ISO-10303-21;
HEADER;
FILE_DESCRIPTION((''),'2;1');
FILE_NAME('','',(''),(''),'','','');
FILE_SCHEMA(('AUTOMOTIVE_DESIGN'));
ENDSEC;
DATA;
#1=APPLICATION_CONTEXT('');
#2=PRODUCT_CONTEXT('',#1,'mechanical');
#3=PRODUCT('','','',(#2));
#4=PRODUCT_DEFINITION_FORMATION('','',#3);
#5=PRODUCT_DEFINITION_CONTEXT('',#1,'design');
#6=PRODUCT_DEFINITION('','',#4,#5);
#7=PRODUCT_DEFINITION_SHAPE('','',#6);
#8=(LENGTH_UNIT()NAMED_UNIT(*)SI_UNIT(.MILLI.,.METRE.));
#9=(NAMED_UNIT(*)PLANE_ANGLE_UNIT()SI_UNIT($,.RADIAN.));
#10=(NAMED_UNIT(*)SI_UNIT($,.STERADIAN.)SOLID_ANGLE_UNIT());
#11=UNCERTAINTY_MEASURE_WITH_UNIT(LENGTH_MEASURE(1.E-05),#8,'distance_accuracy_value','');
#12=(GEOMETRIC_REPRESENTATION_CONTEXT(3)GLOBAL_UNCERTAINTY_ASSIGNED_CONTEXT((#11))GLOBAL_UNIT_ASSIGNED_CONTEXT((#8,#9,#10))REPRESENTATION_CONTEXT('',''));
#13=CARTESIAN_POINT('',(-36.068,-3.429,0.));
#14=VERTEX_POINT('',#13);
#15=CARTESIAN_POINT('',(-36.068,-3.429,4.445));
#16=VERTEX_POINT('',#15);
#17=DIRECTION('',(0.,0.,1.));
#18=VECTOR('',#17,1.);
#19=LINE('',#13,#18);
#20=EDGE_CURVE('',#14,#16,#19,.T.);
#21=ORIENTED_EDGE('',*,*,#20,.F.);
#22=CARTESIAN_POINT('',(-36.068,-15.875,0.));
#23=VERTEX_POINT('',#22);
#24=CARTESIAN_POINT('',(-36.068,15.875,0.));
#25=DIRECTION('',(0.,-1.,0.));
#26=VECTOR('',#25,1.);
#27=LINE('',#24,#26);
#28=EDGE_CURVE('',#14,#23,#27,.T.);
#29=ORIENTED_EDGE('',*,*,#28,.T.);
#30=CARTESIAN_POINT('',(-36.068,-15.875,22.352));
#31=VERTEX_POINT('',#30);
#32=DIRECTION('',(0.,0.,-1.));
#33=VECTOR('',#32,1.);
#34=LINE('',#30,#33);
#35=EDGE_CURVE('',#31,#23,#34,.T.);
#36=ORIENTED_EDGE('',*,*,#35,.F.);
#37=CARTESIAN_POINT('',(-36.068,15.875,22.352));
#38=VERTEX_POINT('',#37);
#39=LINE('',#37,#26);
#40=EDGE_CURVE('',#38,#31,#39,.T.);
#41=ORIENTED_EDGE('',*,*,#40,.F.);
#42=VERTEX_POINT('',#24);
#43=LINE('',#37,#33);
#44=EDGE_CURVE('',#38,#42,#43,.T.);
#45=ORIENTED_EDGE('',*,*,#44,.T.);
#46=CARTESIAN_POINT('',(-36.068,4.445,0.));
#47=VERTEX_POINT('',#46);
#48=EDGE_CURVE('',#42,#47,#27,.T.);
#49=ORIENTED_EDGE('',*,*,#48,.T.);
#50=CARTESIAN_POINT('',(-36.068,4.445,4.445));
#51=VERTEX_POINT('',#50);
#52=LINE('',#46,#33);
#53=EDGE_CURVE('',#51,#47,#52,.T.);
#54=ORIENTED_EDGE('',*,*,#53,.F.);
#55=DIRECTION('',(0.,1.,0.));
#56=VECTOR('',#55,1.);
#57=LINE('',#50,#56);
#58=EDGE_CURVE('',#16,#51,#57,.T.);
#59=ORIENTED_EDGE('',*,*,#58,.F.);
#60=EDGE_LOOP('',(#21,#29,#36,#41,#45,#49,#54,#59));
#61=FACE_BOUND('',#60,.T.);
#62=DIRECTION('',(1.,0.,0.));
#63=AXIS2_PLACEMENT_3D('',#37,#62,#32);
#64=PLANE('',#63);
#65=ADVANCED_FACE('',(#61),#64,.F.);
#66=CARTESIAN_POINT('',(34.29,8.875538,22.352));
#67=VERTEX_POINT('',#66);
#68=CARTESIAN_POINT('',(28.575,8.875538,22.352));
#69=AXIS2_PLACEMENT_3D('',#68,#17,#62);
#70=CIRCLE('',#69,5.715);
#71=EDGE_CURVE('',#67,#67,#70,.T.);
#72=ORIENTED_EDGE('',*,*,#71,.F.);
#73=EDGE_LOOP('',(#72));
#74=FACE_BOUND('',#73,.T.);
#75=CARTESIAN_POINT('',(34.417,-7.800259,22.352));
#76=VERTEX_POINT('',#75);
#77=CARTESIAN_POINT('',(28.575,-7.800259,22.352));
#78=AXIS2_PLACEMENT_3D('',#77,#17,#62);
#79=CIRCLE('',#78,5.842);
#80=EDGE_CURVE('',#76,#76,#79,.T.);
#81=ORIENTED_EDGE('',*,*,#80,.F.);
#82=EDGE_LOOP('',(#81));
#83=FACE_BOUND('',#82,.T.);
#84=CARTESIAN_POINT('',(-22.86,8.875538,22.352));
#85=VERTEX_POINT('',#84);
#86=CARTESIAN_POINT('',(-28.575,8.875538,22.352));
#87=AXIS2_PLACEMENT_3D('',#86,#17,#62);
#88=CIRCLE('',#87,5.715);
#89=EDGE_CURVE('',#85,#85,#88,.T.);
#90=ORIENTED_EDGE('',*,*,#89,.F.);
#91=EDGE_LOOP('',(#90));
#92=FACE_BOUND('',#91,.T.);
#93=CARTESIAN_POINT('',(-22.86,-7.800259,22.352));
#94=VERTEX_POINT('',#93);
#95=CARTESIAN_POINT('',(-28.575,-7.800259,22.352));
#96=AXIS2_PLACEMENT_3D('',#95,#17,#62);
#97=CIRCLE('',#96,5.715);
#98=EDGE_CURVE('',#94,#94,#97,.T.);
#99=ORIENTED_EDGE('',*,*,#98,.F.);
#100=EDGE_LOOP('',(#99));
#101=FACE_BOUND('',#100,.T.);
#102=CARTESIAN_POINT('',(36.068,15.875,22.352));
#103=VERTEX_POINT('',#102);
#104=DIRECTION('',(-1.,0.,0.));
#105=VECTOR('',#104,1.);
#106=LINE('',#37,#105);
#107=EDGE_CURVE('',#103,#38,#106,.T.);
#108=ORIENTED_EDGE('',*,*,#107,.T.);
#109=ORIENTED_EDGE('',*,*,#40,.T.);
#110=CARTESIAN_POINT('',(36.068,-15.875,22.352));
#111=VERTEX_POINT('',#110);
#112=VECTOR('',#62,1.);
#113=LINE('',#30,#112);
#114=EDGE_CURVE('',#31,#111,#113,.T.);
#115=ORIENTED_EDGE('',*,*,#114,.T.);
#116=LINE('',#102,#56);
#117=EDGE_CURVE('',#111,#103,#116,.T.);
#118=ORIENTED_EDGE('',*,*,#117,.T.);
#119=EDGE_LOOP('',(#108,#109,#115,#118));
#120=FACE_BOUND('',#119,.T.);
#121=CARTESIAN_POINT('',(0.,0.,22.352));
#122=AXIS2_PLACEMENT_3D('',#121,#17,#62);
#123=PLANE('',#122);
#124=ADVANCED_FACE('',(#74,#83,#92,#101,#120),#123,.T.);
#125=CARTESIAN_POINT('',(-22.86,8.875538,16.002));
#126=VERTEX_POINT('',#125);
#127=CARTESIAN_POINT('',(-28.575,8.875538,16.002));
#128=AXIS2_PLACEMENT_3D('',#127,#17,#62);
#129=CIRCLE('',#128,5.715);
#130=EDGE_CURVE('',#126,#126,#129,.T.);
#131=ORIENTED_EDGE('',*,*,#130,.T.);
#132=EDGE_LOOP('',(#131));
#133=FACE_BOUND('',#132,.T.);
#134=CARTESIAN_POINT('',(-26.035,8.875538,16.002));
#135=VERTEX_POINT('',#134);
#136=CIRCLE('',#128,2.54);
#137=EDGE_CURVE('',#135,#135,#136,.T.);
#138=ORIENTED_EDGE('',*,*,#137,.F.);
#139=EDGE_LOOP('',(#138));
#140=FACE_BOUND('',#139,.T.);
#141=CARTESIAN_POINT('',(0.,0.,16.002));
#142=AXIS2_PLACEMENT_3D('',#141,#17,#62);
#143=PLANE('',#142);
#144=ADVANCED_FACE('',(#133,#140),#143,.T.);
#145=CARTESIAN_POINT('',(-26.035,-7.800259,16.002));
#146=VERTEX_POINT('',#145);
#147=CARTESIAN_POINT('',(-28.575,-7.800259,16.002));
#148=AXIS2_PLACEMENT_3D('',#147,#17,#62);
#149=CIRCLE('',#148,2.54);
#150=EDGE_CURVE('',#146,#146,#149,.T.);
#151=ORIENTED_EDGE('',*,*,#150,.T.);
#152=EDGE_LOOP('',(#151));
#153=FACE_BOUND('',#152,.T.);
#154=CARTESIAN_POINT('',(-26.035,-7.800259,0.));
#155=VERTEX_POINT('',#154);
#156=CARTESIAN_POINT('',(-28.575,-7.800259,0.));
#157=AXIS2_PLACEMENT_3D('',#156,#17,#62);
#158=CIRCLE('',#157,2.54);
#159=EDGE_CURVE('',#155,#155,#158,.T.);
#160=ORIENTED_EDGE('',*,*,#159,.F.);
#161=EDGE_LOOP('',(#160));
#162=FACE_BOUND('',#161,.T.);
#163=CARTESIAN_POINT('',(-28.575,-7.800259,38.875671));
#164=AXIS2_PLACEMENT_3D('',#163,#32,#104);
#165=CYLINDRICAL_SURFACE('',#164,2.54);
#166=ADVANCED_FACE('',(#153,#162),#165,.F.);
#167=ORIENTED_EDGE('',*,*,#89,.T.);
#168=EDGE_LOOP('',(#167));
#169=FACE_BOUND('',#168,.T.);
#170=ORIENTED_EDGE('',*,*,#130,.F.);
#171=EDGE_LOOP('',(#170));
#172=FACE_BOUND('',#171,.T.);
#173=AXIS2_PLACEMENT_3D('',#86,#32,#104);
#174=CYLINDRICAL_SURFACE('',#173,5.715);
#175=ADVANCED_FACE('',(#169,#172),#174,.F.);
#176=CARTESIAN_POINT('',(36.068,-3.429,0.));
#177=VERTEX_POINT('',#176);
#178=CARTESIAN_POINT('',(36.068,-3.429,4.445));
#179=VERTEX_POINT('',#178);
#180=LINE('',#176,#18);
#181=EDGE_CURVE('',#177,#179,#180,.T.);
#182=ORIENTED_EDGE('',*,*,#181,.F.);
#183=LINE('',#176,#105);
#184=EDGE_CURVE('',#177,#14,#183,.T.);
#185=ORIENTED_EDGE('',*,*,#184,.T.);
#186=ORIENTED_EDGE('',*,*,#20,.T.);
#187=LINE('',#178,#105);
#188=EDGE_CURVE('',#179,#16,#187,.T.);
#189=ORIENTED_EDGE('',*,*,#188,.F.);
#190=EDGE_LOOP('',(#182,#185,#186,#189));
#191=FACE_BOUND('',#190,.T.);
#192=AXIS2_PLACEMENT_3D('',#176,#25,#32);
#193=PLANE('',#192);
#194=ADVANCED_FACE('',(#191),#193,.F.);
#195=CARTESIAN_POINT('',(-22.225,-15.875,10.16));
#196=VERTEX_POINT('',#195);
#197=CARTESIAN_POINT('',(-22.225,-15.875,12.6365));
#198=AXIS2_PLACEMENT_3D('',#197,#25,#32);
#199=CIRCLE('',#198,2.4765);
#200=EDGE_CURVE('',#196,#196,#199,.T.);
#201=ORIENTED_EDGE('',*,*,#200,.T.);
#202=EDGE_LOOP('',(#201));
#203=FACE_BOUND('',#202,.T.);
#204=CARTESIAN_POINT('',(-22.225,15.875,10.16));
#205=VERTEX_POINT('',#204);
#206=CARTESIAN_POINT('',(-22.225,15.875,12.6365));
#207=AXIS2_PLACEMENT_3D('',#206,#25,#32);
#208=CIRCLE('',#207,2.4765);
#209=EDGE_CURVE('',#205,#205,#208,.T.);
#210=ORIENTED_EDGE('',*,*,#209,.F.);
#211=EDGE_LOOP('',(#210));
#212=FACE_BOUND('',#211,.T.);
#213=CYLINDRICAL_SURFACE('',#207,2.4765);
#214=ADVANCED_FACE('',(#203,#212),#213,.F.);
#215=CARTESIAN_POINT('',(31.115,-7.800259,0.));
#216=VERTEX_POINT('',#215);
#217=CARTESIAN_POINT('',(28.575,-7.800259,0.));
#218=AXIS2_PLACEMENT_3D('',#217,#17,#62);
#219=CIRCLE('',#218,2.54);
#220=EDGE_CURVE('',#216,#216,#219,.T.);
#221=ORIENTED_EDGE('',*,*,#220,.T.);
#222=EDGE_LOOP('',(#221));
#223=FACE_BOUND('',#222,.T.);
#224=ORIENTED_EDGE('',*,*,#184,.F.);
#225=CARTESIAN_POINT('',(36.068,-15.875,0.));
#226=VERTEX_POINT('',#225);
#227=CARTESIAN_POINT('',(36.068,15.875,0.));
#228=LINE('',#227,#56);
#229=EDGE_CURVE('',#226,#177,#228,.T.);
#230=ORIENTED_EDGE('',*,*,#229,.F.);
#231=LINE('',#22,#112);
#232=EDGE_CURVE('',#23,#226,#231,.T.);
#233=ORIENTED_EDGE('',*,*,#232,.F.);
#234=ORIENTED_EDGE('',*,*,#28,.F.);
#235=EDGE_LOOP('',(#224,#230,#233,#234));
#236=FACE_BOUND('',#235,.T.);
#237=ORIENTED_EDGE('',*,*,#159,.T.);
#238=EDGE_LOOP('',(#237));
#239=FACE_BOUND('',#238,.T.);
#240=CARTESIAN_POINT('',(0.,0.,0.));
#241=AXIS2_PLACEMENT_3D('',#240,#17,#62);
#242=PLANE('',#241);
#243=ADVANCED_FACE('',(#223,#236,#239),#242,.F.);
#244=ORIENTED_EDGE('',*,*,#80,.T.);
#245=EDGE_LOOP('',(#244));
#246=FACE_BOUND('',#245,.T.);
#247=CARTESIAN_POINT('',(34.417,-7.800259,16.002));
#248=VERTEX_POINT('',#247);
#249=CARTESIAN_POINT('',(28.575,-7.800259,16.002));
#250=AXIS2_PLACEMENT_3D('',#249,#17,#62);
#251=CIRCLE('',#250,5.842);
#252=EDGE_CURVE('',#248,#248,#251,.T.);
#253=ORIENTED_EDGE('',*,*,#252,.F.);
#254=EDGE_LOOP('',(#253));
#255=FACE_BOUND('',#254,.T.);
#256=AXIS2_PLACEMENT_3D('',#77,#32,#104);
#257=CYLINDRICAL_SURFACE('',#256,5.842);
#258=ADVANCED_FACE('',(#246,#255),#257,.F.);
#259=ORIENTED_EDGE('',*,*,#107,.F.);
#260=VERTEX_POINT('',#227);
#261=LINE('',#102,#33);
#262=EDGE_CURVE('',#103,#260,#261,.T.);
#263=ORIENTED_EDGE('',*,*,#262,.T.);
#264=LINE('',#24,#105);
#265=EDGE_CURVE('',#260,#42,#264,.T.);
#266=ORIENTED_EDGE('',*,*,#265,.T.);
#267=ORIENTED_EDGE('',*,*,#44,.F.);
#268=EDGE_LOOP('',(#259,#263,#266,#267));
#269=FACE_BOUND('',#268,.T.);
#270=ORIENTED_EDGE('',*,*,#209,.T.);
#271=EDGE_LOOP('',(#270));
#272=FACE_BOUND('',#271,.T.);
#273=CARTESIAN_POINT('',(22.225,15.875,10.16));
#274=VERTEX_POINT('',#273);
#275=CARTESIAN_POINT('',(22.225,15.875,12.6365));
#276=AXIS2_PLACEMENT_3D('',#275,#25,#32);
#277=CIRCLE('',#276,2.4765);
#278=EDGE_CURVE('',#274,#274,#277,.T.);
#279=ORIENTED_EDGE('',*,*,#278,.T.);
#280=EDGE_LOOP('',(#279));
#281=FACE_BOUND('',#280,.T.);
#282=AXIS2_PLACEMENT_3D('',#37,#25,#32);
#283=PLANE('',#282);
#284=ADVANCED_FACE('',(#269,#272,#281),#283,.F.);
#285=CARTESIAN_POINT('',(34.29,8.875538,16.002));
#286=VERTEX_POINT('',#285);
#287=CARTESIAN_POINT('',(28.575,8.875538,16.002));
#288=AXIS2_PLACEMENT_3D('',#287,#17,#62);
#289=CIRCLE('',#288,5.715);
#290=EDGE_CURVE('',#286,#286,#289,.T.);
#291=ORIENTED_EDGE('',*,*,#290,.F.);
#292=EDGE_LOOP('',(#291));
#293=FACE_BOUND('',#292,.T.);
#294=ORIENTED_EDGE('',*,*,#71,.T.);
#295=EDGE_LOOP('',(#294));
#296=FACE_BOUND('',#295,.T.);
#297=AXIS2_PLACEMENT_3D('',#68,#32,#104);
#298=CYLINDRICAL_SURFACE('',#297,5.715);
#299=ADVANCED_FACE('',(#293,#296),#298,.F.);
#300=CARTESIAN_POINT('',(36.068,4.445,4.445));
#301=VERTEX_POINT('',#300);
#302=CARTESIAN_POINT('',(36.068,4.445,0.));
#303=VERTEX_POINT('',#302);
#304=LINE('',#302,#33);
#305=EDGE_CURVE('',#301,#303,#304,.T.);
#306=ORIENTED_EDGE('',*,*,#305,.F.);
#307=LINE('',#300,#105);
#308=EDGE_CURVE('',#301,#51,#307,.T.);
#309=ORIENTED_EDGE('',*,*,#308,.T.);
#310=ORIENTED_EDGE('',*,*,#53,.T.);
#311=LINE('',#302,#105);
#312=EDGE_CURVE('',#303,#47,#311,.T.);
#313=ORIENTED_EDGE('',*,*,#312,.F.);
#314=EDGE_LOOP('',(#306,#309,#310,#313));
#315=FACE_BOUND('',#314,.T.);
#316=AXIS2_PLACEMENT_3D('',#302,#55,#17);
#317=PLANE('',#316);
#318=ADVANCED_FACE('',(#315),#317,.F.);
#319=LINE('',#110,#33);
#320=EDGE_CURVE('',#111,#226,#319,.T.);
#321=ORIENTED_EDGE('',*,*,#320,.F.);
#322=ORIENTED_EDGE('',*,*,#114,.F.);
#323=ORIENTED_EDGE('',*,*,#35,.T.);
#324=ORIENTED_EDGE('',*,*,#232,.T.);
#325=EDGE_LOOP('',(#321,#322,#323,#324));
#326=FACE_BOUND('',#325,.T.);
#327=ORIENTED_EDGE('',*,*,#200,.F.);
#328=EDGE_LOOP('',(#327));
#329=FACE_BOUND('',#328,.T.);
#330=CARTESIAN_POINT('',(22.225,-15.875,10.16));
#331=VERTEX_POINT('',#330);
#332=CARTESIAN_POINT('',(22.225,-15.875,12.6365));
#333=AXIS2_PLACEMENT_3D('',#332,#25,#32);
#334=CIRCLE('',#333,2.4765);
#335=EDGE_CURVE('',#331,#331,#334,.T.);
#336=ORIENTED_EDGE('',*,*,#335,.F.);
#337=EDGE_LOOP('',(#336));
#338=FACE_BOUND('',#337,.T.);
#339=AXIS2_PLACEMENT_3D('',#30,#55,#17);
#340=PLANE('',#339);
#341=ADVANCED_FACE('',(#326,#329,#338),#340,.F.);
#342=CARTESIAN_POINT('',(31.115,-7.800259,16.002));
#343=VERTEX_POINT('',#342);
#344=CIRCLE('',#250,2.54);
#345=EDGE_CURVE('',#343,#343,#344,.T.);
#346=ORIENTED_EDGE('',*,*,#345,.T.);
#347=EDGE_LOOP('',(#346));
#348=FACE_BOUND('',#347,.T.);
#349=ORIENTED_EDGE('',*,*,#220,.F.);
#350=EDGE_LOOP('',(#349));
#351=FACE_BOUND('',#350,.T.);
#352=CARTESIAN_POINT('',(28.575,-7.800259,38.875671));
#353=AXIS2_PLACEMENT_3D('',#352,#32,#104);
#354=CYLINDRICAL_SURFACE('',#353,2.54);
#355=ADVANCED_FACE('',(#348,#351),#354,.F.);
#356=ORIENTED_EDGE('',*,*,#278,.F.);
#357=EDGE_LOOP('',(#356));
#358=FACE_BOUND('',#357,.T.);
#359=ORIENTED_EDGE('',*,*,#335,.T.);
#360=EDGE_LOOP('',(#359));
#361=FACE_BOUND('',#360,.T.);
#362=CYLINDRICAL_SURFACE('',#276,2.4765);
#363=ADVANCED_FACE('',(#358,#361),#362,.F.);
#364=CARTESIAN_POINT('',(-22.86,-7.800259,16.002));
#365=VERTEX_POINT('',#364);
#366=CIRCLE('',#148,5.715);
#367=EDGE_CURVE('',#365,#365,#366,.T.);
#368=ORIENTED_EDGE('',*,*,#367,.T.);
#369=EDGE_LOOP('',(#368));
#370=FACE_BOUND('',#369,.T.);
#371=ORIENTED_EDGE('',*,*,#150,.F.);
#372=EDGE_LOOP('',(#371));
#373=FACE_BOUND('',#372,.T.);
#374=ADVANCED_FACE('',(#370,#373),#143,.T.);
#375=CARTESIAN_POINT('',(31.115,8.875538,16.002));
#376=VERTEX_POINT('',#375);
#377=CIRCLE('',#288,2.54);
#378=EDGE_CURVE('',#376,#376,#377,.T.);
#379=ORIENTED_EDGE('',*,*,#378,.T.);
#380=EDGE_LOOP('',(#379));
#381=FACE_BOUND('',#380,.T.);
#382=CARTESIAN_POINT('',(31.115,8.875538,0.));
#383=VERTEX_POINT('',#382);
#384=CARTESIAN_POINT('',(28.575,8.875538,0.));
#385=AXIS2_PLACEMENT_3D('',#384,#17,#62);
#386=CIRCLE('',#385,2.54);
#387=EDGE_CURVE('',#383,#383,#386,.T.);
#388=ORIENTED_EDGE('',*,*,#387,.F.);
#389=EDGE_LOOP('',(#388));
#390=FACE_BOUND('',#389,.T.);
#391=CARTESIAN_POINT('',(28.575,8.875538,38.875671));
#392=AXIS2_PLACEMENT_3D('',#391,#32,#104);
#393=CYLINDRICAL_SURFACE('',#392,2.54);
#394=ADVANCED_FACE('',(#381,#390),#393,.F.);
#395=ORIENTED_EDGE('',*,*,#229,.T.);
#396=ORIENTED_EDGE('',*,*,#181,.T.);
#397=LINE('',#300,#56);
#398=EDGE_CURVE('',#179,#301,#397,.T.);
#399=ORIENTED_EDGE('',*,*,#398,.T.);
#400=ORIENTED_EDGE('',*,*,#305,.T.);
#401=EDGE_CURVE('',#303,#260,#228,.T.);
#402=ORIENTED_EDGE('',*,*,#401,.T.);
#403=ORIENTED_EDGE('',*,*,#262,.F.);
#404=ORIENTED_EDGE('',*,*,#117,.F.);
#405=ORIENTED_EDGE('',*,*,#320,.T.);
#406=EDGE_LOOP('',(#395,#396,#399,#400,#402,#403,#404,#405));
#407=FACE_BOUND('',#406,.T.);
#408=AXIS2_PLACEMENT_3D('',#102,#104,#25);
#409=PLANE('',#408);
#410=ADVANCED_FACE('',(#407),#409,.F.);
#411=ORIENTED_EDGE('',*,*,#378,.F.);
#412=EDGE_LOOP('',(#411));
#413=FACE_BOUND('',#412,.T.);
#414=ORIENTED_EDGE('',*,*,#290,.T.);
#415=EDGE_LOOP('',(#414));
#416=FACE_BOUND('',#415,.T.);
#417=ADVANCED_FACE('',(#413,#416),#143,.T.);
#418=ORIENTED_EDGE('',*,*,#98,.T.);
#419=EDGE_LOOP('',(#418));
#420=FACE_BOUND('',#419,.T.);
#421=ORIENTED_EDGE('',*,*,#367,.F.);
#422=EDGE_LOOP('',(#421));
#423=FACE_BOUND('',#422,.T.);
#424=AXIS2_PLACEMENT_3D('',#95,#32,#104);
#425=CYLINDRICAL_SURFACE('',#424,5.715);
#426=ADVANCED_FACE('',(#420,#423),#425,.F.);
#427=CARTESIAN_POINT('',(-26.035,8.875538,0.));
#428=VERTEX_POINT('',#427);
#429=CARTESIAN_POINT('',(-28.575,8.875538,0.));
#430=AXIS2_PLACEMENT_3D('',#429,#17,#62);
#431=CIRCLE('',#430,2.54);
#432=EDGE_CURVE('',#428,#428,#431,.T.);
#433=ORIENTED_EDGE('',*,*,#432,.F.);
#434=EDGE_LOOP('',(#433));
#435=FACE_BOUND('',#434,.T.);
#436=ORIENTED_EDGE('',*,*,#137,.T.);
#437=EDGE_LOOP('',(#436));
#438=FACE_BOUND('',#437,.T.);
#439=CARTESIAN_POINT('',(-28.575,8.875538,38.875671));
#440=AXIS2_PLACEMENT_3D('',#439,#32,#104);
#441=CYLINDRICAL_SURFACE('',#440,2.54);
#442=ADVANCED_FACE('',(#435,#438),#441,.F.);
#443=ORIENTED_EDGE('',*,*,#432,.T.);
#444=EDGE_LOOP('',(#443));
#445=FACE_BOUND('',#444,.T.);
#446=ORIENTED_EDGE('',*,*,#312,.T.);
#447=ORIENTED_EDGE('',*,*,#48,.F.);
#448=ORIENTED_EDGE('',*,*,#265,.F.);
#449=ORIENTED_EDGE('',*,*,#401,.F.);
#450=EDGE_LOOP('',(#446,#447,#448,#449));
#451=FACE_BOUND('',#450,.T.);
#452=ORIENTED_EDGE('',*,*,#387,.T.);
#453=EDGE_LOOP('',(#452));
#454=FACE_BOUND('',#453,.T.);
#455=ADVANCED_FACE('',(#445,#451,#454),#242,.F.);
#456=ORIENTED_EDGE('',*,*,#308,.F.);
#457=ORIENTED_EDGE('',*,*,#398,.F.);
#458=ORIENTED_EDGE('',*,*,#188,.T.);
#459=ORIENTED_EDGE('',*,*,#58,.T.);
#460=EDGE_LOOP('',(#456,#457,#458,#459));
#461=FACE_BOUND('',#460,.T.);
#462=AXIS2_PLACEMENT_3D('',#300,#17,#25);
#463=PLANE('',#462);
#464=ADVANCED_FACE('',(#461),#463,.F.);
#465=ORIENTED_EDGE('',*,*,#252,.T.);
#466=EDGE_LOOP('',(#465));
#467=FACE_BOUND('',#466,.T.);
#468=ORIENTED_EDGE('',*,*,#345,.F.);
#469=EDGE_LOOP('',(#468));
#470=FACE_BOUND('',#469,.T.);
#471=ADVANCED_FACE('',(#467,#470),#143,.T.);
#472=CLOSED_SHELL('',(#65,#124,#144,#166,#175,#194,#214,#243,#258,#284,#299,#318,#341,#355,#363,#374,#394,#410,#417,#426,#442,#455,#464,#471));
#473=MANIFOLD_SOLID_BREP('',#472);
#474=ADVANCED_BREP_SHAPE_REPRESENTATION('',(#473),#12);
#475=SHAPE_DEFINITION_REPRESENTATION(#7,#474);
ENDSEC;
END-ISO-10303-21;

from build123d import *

# Parameters (mm, degrees)
SKETCH1_W           = 72.136
SKETCH1_H           = 31.75
SKETCH1_R           = 5.715
SKETCH1_R_2         = 5.842
BOSS_EXTRUDE1_DEPTH = 22.352
SKETCH4_R           = 5.715
SKETCH4_R_2         = 2.54
SKETCH4_R_3         = 5.842
BOSS_EXTRUDE2_DEPTH = 16.002
SKETCH2_R           = 2.4765
CUT_EXTRUDE1_DEPTH  = 32.75
SKETCH5_W           = 4.445
SKETCH5_H           = 7.874
CUT_EXTRUDE2_DEPTH  = 73.136


with BuildPart() as part:
    # Sketch1 → Boss-Extrude1 (new body)
    with BuildSketch(Plane.XY):
        Rectangle(SKETCH1_W, SKETCH1_H)
        with Locations((-28.575, 8.875537672)):
            Circle(SKETCH1_R, mode=Mode.SUBTRACT)
        with Locations((28.575, 8.875537672)):
            Circle(SKETCH1_R, mode=Mode.SUBTRACT)
        with Locations((-28.575, -7.8002595)):
            Circle(SKETCH1_R, mode=Mode.SUBTRACT)
        with Locations((28.575, -7.8002595)):
            Circle(SKETCH1_R_2, mode=Mode.SUBTRACT)
    extrude(amount=BOSS_EXTRUDE1_DEPTH)

    # Sketch4 → Boss-Extrude2 (add)
    with BuildSketch(Plane.XY):
        with Locations((-28.575, 8.875537672)):
            Circle(SKETCH4_R)
        with Locations((-28.575, 8.875537672)):
            Circle(SKETCH4_R_2, mode=Mode.SUBTRACT)
        with Locations((-28.575, -7.8002595)):
            Circle(SKETCH4_R)
        with Locations((-28.575, -7.8002595)):
            Circle(SKETCH4_R_2, mode=Mode.SUBTRACT)
        with Locations((28.575, 8.875537672)):
            Circle(SKETCH4_R)
        with Locations((28.575, 8.875537672)):
            Circle(SKETCH4_R_2, mode=Mode.SUBTRACT)
        with Locations((28.575, -7.8002595)):
            Circle(SKETCH4_R_3)
        with Locations((28.575, -7.8002595)):
            Circle(SKETCH4_R_2, mode=Mode.SUBTRACT)
    extrude(amount=BOSS_EXTRUDE2_DEPTH)

    # Sketch2 → Cut-Extrude1 (cut, through all)
    with BuildSketch(Plane.XZ.offset(15.875)):
        with Locations((-22.225, 12.6365)):
            Circle(SKETCH2_R)
        with Locations((22.225, 12.6365)):
            Circle(SKETCH2_R)
    extrude(amount=-CUT_EXTRUDE1_DEPTH, mode=Mode.SUBTRACT)

    # Sketch5 → Cut-Extrude2 (cut, through all)
    with BuildSketch(Plane.ZY.offset(36.068)):
        with Locations((2.2225, 0.508)):
            Rectangle(SKETCH5_W, SKETCH5_H)
    extrude(amount=-CUT_EXTRUDE2_DEPTH, mode=Mode.SUBTRACT)


solid = part.part
